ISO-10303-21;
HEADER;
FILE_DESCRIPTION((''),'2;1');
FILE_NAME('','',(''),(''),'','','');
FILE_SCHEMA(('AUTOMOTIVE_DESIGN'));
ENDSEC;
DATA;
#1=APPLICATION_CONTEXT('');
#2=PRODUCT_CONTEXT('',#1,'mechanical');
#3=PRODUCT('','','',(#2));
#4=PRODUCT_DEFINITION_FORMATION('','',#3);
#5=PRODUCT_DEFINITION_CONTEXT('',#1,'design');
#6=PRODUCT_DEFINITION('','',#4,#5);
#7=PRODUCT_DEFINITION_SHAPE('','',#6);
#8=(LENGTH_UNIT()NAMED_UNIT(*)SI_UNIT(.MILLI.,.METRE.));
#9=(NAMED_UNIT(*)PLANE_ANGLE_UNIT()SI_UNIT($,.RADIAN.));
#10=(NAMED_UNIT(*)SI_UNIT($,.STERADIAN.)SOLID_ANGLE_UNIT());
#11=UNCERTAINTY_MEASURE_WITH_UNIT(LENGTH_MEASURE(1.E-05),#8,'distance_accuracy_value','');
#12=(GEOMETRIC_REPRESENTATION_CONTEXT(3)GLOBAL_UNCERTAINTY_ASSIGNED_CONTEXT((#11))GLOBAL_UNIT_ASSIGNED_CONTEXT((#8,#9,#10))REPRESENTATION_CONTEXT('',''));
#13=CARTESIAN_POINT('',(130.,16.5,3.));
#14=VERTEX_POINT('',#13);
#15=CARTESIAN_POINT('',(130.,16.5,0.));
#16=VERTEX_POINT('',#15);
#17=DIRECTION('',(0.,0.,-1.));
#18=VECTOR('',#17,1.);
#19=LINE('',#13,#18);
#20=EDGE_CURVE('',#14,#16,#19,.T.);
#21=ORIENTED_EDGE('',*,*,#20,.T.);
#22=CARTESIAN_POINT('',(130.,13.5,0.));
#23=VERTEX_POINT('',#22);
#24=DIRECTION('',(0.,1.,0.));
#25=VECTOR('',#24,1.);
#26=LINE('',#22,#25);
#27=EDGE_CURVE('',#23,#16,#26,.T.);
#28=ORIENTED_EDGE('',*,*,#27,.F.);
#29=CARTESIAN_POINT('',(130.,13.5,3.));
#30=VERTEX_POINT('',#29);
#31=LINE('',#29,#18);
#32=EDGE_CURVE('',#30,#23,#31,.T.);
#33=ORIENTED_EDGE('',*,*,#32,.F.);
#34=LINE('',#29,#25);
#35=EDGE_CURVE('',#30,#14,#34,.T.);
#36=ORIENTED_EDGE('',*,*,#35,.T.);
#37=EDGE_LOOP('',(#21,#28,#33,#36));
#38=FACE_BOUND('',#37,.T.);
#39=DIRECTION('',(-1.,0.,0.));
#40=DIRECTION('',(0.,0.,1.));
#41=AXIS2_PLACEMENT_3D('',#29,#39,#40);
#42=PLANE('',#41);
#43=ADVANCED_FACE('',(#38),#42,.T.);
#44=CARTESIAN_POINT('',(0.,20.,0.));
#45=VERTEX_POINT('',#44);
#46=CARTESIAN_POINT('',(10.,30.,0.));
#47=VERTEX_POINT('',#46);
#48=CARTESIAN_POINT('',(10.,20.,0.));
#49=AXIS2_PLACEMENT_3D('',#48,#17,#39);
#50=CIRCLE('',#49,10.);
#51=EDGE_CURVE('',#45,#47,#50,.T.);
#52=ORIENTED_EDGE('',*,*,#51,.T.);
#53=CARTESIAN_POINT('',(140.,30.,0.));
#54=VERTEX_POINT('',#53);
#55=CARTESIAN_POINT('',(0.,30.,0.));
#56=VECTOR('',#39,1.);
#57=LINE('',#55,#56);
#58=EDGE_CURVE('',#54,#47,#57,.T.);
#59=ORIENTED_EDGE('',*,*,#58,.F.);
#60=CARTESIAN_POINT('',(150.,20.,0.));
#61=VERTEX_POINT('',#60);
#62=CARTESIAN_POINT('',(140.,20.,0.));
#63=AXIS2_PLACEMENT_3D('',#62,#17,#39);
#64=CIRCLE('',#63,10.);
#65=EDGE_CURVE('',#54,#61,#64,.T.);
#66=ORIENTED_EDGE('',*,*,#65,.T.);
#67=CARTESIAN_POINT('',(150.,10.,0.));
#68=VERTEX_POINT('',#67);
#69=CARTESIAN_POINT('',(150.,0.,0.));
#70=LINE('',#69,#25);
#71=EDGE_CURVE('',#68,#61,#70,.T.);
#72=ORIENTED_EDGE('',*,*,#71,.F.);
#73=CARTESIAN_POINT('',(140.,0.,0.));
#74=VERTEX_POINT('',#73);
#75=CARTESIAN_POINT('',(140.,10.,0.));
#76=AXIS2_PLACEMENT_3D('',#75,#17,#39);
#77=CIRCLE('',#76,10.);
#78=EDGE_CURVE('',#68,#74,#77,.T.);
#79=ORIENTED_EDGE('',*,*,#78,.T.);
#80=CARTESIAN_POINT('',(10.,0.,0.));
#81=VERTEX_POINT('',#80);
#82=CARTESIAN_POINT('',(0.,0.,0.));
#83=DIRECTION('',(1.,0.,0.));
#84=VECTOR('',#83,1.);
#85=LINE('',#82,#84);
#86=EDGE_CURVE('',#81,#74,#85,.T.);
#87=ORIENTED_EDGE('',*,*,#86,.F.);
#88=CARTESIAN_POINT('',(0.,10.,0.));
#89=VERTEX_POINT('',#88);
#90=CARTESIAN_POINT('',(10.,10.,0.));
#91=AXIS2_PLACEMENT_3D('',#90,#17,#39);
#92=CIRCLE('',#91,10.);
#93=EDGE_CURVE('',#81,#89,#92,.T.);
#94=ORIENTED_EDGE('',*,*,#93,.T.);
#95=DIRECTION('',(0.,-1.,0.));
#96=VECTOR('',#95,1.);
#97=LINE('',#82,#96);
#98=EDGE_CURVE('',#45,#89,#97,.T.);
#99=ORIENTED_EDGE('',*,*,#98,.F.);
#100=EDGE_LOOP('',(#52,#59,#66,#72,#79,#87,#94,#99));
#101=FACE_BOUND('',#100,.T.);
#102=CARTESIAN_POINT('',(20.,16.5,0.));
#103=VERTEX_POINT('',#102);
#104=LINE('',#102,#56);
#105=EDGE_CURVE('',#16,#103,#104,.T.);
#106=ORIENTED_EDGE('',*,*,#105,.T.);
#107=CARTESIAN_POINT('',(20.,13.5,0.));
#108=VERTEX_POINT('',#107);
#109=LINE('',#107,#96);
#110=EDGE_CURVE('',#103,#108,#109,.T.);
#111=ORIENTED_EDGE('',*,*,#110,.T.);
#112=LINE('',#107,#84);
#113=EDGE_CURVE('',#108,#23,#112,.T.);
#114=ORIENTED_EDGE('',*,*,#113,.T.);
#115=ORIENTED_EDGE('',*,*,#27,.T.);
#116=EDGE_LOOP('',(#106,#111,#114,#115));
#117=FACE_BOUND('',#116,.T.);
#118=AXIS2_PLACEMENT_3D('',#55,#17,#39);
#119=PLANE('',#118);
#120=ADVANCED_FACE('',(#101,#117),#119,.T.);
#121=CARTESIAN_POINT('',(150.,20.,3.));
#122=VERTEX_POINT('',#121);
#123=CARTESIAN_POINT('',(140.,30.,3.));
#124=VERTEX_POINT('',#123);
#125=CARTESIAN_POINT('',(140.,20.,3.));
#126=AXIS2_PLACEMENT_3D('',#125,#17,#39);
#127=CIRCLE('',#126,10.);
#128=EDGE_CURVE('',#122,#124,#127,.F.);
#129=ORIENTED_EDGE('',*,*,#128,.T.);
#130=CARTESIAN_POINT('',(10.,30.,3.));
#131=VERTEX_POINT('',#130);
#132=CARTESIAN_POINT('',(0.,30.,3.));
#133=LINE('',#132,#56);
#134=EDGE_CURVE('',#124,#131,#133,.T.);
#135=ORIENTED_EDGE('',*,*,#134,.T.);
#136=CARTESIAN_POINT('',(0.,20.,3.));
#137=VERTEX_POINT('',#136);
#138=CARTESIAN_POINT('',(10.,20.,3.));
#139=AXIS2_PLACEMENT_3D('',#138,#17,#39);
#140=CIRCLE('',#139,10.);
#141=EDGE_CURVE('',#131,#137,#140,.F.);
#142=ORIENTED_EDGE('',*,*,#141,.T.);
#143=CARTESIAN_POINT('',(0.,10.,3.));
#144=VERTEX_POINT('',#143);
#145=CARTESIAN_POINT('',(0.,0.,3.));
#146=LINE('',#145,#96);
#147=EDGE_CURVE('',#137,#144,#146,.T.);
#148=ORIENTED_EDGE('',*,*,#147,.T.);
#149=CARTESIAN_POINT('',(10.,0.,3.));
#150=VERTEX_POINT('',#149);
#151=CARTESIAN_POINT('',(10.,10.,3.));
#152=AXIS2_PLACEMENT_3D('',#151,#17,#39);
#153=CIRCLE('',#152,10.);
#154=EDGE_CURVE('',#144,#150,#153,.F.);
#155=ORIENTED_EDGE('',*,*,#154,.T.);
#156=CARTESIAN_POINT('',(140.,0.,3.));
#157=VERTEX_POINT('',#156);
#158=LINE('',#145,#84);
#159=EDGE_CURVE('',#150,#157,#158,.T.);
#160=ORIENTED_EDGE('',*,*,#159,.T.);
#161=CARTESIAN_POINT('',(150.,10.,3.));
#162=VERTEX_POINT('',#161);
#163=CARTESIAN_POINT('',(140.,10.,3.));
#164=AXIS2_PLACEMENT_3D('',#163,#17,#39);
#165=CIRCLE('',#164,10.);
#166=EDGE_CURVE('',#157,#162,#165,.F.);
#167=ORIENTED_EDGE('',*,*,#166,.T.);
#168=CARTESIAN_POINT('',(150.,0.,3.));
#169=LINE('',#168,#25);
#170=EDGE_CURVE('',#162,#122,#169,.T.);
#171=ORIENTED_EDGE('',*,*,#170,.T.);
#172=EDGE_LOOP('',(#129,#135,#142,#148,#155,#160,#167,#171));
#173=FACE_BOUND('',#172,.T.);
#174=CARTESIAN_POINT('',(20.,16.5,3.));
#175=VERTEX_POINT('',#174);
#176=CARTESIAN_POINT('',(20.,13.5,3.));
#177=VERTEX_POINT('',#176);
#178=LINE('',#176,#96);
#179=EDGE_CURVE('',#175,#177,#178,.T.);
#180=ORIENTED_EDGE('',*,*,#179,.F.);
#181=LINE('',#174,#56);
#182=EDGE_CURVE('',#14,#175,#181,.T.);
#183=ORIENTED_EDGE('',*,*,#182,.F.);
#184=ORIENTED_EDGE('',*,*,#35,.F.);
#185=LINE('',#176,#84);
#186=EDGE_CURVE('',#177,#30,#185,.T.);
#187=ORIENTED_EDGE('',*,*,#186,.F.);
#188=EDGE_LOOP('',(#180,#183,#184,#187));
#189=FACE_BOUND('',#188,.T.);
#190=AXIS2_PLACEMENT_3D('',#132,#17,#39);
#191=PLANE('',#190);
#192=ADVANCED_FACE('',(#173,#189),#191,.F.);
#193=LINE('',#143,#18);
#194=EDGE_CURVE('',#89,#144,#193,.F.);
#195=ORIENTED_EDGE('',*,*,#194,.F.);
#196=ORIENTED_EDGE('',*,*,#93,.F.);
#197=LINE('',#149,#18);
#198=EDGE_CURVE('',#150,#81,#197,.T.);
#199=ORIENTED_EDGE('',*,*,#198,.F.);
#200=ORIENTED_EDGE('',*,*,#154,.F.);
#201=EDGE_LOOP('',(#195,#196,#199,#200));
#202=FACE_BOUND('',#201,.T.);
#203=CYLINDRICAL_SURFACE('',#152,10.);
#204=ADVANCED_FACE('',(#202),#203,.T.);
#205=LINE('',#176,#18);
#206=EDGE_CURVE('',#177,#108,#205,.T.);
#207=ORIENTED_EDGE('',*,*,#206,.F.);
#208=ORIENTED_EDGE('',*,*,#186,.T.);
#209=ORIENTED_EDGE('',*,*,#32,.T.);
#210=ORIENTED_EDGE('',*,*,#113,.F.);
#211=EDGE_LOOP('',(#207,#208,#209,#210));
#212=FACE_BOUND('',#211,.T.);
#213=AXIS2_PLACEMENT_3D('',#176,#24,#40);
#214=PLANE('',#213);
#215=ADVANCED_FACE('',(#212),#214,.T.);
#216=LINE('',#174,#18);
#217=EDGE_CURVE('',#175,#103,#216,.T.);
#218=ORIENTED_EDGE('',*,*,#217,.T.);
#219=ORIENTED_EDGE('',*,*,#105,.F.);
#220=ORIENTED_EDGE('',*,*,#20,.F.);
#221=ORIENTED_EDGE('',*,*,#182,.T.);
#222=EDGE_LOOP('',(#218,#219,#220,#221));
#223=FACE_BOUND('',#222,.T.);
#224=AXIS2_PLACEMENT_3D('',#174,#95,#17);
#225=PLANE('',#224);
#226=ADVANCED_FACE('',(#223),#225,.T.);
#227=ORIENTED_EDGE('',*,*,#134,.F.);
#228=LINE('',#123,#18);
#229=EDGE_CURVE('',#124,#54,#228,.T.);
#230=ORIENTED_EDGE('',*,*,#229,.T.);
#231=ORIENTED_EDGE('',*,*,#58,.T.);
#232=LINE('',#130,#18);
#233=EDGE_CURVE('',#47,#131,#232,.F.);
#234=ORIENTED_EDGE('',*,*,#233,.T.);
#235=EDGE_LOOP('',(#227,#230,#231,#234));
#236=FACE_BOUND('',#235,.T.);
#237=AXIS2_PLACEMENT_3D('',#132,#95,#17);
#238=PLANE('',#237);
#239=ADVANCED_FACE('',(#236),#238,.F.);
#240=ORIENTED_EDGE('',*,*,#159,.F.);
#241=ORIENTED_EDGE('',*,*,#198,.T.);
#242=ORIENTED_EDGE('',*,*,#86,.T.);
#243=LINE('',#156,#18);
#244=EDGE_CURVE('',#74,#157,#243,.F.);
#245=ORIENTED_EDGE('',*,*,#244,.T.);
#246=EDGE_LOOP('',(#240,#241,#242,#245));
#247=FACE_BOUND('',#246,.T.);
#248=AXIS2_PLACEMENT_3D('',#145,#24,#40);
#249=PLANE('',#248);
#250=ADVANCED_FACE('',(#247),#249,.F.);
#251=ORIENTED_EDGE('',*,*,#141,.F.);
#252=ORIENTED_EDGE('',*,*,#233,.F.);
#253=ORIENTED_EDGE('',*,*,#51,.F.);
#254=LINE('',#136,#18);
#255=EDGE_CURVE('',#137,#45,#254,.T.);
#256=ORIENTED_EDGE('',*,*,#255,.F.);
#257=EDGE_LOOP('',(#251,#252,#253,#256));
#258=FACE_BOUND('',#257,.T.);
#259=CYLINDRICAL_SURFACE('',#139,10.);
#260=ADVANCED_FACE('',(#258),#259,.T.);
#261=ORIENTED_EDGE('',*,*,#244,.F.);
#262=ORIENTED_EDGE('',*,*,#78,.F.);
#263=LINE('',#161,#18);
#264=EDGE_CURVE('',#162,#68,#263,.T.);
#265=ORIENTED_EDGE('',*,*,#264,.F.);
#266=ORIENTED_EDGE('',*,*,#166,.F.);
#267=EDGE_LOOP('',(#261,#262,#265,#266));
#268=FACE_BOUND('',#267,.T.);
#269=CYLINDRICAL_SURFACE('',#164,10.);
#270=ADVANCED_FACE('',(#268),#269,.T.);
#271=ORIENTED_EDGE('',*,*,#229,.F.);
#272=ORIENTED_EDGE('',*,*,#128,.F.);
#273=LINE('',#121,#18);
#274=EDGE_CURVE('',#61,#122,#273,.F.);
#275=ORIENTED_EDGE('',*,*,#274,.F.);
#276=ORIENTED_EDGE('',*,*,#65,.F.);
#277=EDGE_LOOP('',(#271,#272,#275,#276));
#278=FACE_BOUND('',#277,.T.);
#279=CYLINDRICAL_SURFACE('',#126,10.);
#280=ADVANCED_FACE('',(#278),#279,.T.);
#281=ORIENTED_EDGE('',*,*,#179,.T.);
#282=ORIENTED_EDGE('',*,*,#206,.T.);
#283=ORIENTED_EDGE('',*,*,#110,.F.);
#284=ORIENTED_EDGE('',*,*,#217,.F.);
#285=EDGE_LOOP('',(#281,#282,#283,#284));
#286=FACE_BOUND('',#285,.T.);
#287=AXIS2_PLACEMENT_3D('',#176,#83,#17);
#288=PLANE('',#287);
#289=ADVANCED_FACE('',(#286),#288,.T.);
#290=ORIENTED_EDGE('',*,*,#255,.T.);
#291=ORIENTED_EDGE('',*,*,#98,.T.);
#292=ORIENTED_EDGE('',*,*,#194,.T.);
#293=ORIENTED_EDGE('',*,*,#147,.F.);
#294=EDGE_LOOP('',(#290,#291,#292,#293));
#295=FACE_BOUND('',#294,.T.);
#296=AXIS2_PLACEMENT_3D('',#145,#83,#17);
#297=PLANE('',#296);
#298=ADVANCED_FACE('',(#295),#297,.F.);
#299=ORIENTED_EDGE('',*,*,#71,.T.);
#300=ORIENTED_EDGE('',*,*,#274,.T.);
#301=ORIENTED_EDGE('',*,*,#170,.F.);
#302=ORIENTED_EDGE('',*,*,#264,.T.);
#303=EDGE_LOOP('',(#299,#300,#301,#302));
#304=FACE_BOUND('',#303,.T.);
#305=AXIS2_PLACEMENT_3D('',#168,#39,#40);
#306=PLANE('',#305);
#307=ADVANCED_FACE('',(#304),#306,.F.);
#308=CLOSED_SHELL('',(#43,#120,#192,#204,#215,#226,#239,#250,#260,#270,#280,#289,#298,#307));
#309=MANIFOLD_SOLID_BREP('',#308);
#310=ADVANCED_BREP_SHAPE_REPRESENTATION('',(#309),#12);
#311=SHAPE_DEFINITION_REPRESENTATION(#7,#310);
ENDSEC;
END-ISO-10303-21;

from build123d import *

# Parameters (mm, degrees)
SKETCH1_W           = 150
SKETCH1_H           = 30
SKETCH1_W_2         = 110
SKETCH1_H_2         = 3
BOSS_EXTRUDE1_DEPTH = 3
FILLET1_R           = 10


with BuildPart() as part:
    # Sketch1 → Boss-Extrude1 (new body)
    with BuildSketch(Plane.XY):
        with Locations((75, 15)):
            Rectangle(SKETCH1_W, SKETCH1_H)
        with Locations((75, 15)):
            Rectangle(SKETCH1_W_2, SKETCH1_H_2, mode=Mode.SUBTRACT)
    extrude(amount=BOSS_EXTRUDE1_DEPTH)

    # Fillet1
    fillet1_edges = [part.edges().sort_by_distance(p)[0] for p in [
        (0, 30, 1.5),
        (150, 30, 1.5),
        (150, 0, 1.5),
        (0, 0, 1.5),
    ]]
    fillet(fillet1_edges, radius=FILLET1_R)


solid = part.part
